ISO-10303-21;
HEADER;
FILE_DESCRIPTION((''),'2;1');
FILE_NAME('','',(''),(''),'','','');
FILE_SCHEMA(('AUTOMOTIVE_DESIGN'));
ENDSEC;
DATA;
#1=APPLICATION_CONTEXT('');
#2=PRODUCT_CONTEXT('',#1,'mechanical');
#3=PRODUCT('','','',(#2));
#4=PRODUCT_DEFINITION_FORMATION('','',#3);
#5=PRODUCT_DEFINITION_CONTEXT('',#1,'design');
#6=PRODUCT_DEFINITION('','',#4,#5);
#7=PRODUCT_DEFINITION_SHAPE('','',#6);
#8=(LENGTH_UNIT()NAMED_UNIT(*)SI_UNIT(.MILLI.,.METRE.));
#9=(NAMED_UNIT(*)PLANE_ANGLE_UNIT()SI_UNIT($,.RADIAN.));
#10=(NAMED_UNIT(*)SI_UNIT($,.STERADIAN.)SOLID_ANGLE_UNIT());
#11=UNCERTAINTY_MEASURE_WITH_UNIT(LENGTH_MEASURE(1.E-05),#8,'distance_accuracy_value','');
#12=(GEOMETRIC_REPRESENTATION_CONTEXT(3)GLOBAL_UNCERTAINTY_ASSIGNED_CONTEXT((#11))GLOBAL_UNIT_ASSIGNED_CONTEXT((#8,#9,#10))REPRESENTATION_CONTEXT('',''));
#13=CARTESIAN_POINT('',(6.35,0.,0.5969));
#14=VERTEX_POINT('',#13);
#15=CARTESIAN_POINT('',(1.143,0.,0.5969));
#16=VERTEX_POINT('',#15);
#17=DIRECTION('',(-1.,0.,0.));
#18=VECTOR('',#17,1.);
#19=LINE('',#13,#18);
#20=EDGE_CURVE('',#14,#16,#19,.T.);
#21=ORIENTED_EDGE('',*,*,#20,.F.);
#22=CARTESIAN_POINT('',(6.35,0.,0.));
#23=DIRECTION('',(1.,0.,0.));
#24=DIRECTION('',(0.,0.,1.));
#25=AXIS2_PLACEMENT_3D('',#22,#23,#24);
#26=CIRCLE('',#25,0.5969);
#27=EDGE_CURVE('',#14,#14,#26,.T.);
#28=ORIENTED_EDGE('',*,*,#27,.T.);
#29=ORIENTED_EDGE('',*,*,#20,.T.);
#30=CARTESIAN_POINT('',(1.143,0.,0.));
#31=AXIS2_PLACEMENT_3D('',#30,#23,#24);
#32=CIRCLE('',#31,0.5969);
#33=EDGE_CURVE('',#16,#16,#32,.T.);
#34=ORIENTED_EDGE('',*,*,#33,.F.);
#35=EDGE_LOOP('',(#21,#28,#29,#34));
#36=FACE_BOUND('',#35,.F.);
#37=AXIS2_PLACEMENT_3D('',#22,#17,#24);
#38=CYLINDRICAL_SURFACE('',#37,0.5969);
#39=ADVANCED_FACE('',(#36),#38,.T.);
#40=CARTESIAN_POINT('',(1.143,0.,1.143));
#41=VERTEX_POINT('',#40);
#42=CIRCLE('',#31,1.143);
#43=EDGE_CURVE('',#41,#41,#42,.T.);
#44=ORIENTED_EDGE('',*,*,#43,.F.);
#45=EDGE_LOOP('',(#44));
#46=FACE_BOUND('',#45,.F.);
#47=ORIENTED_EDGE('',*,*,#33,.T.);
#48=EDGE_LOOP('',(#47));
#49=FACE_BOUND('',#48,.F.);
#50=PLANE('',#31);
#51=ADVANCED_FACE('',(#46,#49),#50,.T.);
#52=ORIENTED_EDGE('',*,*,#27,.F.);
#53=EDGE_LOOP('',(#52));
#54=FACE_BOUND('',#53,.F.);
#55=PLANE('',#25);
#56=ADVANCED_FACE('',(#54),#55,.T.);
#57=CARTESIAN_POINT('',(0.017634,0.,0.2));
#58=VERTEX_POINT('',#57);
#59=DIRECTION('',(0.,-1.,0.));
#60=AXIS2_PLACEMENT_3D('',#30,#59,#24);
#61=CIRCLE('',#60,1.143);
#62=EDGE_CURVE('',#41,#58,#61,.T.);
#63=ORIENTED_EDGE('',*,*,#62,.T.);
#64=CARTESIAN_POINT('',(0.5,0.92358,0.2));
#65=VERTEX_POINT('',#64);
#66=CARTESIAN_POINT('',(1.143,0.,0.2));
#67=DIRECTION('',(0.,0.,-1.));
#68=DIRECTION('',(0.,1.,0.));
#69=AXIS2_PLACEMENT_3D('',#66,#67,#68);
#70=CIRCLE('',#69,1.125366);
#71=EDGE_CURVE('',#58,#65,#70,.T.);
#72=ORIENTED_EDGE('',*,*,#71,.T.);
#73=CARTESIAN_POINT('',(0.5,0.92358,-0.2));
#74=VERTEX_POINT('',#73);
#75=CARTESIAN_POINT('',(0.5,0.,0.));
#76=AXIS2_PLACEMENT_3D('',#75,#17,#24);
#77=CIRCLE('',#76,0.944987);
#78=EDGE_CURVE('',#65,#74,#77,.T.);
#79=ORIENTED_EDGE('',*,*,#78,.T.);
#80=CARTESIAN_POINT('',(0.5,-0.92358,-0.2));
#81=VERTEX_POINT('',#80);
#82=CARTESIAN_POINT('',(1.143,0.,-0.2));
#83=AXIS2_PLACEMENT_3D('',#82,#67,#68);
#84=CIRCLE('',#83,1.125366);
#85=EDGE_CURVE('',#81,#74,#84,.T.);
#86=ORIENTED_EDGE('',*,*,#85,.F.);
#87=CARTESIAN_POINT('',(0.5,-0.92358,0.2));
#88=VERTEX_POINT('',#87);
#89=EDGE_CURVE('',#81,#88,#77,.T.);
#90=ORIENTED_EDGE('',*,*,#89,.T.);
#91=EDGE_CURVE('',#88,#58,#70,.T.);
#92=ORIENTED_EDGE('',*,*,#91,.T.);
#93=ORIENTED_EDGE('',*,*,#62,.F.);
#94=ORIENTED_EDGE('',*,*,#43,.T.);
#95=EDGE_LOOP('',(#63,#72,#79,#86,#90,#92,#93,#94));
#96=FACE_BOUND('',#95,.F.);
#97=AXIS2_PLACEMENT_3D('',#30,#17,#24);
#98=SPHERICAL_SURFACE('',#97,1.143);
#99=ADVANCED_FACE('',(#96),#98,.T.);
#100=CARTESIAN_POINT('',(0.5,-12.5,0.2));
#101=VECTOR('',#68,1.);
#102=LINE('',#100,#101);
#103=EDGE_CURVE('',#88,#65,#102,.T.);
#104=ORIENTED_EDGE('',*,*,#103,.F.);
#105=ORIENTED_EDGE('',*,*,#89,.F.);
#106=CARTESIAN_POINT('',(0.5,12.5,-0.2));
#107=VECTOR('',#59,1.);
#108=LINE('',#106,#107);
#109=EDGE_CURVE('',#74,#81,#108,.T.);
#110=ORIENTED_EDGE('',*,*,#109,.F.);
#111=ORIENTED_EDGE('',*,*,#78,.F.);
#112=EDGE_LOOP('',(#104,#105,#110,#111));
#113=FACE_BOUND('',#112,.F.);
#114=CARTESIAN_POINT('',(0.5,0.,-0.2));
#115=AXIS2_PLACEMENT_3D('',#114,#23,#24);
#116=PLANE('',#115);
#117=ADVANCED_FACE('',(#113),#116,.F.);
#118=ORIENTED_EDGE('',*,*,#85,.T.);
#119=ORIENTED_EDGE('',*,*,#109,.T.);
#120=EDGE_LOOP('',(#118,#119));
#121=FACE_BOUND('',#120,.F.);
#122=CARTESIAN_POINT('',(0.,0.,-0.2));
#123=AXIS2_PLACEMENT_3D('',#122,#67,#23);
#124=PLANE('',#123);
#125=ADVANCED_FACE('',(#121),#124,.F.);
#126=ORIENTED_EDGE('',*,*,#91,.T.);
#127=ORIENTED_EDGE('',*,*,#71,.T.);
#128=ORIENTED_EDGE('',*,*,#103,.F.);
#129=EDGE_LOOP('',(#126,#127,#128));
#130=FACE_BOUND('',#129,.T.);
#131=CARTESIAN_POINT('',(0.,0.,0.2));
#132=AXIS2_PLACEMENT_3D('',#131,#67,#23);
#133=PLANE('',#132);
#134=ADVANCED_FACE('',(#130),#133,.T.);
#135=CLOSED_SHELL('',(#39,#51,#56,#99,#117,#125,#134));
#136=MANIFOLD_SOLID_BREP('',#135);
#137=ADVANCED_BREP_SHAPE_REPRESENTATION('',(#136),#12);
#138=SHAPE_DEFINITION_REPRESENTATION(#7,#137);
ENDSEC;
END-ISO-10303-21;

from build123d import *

# Parameters (mm, degrees)
F2_W     = 0.5
F2_H     = 0.4
F3_DEPTH = 12.5


with BuildPart() as f1:
    # F0 (on Front) → F1 (revolve)
    with BuildSketch(Plane.XZ):
        with BuildLine():
            Line((0, 0), (6.35, 0))
            Line((6.35, 0), (6.35, 0.5969))
            Line((6.35, 0.5969), (1.143, 0.5969))
            Line((1.143, 0.5969), (1.143, 1.143))
            ThreePointArc((1.143, 1.143), (0.3347769491, 0.8082230509), (0, 0))
        make_face()
    revolve(axis=Axis((3.175, 0, 0), (1, 0, 0)))

    # F2 (on Front) → F3 (cut, symmetric)
    with BuildSketch(Plane.XZ):
        with Locations((0.25, 0)):
            Rectangle(F2_W, F2_H)
    extrude(amount=F3_DEPTH, both=True, mode=Mode.SUBTRACT)


solid = f1.part
